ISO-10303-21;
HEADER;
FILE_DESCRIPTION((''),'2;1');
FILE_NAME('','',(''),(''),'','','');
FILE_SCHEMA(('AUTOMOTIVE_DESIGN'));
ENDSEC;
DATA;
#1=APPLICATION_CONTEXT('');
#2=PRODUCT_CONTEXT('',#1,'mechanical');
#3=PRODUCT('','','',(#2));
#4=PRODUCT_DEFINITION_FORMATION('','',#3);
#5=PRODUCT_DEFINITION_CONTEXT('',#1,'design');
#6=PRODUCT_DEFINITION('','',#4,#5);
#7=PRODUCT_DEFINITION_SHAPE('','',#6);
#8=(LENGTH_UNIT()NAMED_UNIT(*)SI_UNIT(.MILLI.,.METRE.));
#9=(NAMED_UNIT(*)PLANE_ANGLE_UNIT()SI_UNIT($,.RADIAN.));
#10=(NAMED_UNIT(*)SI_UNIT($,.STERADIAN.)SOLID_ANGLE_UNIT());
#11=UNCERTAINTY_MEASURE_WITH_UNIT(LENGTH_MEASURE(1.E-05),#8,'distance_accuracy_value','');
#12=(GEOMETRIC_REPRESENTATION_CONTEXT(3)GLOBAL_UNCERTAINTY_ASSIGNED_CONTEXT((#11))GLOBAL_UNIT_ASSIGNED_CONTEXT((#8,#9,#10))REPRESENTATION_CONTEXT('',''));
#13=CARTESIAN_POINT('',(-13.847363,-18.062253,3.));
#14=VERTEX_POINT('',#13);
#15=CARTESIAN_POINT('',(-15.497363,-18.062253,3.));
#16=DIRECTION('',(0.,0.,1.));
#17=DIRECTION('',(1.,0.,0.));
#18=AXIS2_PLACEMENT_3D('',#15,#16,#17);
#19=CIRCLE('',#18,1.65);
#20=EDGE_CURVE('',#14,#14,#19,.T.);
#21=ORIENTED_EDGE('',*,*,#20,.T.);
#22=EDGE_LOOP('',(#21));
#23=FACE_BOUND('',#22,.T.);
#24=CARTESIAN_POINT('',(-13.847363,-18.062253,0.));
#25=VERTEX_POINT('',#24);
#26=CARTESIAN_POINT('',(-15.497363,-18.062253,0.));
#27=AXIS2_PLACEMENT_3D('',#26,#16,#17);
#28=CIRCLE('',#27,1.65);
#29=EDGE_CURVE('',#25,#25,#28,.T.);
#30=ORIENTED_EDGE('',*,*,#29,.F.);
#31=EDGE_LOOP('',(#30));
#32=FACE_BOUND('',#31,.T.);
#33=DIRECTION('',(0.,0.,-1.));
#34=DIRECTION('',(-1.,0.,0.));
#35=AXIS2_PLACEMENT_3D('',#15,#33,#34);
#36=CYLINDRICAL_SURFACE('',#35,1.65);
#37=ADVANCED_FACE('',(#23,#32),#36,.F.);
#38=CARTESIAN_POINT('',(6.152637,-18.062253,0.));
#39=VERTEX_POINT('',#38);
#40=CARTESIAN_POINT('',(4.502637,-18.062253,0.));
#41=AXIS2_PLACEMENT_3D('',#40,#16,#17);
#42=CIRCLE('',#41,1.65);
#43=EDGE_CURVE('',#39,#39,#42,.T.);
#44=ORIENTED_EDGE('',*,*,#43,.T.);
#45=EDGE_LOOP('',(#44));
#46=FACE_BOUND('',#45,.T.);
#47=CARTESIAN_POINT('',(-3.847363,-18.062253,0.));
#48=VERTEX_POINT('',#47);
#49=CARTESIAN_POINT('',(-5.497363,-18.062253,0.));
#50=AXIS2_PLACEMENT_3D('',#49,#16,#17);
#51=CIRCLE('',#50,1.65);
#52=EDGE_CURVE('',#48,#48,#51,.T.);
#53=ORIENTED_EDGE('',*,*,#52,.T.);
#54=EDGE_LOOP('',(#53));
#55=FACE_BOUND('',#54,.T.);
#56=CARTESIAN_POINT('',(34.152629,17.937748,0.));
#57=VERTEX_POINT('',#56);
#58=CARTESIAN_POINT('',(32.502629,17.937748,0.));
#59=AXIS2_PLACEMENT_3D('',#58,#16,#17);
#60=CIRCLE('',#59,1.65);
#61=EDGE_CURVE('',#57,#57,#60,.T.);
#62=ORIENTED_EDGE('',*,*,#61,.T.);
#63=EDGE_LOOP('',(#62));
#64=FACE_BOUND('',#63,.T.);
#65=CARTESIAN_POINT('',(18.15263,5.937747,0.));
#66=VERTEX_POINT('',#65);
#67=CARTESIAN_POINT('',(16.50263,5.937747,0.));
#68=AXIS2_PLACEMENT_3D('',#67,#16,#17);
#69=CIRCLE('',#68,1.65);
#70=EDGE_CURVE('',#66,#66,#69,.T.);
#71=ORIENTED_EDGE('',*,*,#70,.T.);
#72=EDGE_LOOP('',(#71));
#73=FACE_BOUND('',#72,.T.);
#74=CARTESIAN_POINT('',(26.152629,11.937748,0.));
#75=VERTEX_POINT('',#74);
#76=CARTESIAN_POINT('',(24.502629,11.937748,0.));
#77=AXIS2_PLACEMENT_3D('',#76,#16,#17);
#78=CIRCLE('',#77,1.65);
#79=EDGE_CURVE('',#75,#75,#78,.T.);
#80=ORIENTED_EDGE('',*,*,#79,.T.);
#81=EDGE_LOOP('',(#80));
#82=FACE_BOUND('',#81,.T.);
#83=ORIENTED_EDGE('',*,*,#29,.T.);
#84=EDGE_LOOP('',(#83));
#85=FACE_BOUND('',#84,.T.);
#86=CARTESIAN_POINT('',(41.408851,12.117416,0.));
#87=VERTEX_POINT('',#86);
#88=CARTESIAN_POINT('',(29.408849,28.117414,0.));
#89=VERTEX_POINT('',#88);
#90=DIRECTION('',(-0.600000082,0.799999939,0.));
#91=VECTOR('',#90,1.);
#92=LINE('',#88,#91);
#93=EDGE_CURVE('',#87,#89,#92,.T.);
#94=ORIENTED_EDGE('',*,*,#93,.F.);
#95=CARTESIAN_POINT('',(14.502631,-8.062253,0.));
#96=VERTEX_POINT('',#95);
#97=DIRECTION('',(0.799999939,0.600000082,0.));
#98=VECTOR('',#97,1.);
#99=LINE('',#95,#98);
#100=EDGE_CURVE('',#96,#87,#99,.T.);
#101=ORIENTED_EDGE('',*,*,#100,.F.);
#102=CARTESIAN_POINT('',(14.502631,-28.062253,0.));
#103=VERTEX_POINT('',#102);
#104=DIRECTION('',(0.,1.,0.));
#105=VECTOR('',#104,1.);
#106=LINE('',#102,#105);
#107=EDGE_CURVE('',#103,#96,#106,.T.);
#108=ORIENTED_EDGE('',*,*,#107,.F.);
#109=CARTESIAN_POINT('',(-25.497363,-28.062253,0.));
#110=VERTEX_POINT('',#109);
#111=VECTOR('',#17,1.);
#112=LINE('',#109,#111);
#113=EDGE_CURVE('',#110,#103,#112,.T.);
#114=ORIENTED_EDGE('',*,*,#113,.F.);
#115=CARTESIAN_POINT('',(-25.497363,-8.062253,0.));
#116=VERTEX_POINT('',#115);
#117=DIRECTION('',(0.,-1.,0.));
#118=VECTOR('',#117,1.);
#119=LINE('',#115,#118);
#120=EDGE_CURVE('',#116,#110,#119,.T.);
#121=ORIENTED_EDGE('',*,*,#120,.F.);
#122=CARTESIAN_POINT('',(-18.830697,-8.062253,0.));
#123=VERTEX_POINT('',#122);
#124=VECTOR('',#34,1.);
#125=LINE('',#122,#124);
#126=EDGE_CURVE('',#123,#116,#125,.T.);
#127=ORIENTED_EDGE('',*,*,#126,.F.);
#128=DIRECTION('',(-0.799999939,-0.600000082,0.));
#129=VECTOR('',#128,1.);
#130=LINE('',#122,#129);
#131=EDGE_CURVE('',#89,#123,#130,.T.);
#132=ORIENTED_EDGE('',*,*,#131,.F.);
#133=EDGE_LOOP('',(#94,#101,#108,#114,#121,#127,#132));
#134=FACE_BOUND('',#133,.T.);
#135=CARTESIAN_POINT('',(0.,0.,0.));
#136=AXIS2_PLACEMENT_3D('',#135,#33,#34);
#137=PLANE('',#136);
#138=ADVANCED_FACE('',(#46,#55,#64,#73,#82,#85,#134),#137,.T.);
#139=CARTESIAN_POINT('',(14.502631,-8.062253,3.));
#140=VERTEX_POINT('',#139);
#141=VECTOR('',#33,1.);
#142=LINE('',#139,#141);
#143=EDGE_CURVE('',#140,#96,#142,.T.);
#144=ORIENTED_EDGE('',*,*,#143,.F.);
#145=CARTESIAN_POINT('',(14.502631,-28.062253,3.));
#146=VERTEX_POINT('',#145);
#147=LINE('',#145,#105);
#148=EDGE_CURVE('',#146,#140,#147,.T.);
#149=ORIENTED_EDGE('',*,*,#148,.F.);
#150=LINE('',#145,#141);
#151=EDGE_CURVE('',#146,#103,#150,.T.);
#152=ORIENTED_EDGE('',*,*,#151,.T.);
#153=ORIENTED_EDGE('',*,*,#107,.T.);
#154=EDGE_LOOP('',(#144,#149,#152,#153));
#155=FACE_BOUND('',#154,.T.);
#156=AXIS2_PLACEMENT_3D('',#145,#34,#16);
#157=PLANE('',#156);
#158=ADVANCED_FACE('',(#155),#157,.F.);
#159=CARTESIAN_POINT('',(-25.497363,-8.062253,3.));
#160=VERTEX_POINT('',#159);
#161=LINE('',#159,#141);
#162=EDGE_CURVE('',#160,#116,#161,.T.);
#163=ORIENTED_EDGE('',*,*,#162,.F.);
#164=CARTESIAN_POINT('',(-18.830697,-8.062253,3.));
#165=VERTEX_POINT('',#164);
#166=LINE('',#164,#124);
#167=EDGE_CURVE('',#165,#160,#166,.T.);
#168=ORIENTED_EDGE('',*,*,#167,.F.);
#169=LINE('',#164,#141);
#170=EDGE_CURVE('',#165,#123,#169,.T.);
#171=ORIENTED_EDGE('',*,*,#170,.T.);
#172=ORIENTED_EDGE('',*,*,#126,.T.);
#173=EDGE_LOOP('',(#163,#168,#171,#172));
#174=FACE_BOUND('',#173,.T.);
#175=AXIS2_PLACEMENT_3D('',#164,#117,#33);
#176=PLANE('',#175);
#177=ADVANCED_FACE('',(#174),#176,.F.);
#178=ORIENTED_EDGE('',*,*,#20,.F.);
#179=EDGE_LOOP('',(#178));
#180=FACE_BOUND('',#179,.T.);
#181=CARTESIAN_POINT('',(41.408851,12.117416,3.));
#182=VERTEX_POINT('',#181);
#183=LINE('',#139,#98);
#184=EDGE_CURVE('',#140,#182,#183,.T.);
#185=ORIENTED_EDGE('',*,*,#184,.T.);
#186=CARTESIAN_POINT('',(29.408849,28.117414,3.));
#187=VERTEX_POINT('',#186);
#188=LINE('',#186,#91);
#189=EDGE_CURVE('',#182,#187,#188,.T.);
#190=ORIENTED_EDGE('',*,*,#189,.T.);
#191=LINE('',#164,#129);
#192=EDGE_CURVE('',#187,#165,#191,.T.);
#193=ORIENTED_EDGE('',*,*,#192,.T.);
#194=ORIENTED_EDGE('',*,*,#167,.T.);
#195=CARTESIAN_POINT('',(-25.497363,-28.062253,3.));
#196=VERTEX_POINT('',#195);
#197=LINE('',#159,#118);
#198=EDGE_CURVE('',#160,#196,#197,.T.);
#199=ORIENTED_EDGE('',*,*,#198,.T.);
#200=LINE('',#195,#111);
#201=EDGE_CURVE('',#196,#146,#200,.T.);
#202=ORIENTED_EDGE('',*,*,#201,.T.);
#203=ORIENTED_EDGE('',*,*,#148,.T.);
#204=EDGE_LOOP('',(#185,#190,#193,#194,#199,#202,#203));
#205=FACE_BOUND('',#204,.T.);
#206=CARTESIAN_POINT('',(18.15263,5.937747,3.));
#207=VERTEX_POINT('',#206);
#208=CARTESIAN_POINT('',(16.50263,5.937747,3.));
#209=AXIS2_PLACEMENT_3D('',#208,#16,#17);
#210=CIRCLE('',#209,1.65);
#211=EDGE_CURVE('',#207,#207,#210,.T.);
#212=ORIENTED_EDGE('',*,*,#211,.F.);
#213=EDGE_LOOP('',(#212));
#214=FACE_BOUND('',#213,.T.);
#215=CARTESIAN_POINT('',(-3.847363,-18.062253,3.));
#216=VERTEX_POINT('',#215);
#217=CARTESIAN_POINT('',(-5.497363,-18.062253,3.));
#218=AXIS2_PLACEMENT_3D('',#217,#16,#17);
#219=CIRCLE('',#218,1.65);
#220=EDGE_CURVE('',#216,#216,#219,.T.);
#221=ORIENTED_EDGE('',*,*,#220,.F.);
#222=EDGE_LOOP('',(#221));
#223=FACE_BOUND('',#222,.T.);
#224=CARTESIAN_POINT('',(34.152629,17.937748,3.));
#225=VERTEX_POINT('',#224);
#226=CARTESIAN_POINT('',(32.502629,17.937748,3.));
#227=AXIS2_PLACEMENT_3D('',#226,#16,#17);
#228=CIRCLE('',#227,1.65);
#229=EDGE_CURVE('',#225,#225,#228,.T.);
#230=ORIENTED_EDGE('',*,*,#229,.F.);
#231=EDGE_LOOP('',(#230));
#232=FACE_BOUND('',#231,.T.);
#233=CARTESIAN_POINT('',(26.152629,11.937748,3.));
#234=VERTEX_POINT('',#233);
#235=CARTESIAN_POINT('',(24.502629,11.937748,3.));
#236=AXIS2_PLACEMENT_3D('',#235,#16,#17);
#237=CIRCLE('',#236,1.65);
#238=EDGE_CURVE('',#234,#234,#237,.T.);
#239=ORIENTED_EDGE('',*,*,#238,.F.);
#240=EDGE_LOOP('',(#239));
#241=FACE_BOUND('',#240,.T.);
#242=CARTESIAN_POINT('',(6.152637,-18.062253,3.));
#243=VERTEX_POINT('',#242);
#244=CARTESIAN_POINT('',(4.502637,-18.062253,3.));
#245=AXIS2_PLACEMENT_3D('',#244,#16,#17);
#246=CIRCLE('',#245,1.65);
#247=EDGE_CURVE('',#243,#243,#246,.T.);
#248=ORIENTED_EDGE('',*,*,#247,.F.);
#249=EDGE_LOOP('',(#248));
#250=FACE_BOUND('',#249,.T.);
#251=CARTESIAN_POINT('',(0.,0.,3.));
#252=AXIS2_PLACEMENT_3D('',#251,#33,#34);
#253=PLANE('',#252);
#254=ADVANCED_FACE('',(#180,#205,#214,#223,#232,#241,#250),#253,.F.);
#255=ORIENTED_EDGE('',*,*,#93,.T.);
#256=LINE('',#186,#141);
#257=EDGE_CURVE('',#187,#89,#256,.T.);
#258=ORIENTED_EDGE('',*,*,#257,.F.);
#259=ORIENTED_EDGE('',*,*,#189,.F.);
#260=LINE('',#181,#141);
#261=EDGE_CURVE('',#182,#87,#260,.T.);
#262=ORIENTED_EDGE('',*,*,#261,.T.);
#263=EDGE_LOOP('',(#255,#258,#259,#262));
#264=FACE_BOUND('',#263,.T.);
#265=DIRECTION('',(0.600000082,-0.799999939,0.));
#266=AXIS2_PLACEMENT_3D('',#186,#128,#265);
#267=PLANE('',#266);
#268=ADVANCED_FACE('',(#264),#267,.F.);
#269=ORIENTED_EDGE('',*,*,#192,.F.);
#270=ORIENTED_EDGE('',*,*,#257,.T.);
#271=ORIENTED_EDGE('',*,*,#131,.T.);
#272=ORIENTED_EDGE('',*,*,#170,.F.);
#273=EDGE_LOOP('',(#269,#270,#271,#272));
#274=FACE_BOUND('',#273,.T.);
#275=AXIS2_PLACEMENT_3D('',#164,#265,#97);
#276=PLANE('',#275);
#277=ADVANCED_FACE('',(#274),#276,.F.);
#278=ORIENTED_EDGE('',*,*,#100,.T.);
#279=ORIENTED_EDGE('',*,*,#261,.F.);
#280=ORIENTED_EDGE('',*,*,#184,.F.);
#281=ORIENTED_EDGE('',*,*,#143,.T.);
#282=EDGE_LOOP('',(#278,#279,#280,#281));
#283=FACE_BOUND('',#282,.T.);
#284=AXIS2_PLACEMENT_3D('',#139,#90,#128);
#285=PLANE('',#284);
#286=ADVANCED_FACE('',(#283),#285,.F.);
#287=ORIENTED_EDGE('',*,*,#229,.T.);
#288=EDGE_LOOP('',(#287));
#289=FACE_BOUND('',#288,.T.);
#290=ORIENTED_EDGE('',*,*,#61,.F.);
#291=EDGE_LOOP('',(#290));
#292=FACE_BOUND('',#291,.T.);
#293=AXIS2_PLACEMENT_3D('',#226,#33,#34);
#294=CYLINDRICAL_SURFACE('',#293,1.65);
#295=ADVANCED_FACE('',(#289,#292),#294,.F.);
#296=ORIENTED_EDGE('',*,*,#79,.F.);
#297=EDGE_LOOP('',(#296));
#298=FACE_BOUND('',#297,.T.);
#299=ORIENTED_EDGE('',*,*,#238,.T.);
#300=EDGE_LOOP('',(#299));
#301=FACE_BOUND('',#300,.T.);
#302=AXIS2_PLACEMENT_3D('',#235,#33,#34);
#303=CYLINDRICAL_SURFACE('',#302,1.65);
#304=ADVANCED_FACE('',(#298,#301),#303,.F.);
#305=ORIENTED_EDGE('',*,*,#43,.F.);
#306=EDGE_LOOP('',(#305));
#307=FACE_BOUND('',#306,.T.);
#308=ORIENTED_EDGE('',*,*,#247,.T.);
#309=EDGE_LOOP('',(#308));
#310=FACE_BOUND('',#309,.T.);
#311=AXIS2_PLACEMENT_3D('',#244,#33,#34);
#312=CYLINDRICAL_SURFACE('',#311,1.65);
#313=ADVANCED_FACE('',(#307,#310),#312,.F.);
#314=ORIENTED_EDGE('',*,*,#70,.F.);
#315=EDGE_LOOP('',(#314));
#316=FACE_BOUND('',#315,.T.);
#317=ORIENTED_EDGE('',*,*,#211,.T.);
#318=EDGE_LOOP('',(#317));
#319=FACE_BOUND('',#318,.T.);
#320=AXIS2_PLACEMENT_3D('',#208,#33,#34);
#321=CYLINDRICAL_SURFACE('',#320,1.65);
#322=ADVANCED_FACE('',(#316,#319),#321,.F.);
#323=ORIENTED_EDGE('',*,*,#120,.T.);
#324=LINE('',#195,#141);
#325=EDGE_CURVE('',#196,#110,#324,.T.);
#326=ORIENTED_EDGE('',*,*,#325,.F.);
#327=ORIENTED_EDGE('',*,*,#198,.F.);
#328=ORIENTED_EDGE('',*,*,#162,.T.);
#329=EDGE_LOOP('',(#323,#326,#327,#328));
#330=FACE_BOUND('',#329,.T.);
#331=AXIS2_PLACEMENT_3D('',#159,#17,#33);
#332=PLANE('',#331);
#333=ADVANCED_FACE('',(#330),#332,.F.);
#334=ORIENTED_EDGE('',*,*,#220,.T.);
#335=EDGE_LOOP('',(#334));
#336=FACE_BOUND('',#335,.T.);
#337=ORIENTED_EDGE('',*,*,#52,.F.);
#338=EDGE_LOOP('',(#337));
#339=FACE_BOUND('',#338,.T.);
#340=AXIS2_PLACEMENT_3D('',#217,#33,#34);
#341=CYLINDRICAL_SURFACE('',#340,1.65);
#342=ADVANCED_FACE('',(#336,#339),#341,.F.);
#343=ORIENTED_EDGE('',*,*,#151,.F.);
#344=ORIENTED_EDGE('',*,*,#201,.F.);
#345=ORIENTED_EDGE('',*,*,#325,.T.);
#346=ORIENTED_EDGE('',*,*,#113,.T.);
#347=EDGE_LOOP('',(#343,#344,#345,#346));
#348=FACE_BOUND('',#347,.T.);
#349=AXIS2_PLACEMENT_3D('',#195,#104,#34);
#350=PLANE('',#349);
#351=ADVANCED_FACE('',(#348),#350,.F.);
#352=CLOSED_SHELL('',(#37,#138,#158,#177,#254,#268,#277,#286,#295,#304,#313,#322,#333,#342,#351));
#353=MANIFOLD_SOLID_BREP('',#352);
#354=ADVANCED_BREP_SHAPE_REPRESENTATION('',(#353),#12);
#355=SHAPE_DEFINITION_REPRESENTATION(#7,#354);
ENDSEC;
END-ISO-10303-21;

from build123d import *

# Parameters (mm, degrees)
SKETCH_1_R      = 1.65
EXTRUDE_1_DEPTH = 3


with BuildPart() as part:
    # 草图1 → 凸台-拉伸1 (new body)
    with BuildSketch(Plane.XY):
        Polygon((-18.830697363, -8.06225338), (-25.497363461, -8.06225338), (-25.497363461, -28.06225338), (14.502631424, -28.06225338), (14.502631424, -8.06225338), (41.408851068, 12.117415653), (29.408849432, 28.117414426), align=None)
        with Locations((-5.497363461, -18.06225338)):
            Circle(SKETCH_1_R, mode=Mode.SUBTRACT)
        with Locations((4.502636539, -18.06225338)):
            Circle(SKETCH_1_R, mode=Mode.SUBTRACT)
        with Locations((-15.497363461, -18.06225338)):
            Circle(SKETCH_1_R, mode=Mode.SUBTRACT)
        with Locations((16.502629992, 5.937746824)):
            Circle(SKETCH_1_R, mode=Mode.SUBTRACT)
        with Locations((24.502629378, 11.937747642)):
            Circle(SKETCH_1_R, mode=Mode.SUBTRACT)
        with Locations((32.502628764, 17.937748461)):
            Circle(SKETCH_1_R, mode=Mode.SUBTRACT)
    extrude(amount=EXTRUDE_1_DEPTH)


solid = part.part
